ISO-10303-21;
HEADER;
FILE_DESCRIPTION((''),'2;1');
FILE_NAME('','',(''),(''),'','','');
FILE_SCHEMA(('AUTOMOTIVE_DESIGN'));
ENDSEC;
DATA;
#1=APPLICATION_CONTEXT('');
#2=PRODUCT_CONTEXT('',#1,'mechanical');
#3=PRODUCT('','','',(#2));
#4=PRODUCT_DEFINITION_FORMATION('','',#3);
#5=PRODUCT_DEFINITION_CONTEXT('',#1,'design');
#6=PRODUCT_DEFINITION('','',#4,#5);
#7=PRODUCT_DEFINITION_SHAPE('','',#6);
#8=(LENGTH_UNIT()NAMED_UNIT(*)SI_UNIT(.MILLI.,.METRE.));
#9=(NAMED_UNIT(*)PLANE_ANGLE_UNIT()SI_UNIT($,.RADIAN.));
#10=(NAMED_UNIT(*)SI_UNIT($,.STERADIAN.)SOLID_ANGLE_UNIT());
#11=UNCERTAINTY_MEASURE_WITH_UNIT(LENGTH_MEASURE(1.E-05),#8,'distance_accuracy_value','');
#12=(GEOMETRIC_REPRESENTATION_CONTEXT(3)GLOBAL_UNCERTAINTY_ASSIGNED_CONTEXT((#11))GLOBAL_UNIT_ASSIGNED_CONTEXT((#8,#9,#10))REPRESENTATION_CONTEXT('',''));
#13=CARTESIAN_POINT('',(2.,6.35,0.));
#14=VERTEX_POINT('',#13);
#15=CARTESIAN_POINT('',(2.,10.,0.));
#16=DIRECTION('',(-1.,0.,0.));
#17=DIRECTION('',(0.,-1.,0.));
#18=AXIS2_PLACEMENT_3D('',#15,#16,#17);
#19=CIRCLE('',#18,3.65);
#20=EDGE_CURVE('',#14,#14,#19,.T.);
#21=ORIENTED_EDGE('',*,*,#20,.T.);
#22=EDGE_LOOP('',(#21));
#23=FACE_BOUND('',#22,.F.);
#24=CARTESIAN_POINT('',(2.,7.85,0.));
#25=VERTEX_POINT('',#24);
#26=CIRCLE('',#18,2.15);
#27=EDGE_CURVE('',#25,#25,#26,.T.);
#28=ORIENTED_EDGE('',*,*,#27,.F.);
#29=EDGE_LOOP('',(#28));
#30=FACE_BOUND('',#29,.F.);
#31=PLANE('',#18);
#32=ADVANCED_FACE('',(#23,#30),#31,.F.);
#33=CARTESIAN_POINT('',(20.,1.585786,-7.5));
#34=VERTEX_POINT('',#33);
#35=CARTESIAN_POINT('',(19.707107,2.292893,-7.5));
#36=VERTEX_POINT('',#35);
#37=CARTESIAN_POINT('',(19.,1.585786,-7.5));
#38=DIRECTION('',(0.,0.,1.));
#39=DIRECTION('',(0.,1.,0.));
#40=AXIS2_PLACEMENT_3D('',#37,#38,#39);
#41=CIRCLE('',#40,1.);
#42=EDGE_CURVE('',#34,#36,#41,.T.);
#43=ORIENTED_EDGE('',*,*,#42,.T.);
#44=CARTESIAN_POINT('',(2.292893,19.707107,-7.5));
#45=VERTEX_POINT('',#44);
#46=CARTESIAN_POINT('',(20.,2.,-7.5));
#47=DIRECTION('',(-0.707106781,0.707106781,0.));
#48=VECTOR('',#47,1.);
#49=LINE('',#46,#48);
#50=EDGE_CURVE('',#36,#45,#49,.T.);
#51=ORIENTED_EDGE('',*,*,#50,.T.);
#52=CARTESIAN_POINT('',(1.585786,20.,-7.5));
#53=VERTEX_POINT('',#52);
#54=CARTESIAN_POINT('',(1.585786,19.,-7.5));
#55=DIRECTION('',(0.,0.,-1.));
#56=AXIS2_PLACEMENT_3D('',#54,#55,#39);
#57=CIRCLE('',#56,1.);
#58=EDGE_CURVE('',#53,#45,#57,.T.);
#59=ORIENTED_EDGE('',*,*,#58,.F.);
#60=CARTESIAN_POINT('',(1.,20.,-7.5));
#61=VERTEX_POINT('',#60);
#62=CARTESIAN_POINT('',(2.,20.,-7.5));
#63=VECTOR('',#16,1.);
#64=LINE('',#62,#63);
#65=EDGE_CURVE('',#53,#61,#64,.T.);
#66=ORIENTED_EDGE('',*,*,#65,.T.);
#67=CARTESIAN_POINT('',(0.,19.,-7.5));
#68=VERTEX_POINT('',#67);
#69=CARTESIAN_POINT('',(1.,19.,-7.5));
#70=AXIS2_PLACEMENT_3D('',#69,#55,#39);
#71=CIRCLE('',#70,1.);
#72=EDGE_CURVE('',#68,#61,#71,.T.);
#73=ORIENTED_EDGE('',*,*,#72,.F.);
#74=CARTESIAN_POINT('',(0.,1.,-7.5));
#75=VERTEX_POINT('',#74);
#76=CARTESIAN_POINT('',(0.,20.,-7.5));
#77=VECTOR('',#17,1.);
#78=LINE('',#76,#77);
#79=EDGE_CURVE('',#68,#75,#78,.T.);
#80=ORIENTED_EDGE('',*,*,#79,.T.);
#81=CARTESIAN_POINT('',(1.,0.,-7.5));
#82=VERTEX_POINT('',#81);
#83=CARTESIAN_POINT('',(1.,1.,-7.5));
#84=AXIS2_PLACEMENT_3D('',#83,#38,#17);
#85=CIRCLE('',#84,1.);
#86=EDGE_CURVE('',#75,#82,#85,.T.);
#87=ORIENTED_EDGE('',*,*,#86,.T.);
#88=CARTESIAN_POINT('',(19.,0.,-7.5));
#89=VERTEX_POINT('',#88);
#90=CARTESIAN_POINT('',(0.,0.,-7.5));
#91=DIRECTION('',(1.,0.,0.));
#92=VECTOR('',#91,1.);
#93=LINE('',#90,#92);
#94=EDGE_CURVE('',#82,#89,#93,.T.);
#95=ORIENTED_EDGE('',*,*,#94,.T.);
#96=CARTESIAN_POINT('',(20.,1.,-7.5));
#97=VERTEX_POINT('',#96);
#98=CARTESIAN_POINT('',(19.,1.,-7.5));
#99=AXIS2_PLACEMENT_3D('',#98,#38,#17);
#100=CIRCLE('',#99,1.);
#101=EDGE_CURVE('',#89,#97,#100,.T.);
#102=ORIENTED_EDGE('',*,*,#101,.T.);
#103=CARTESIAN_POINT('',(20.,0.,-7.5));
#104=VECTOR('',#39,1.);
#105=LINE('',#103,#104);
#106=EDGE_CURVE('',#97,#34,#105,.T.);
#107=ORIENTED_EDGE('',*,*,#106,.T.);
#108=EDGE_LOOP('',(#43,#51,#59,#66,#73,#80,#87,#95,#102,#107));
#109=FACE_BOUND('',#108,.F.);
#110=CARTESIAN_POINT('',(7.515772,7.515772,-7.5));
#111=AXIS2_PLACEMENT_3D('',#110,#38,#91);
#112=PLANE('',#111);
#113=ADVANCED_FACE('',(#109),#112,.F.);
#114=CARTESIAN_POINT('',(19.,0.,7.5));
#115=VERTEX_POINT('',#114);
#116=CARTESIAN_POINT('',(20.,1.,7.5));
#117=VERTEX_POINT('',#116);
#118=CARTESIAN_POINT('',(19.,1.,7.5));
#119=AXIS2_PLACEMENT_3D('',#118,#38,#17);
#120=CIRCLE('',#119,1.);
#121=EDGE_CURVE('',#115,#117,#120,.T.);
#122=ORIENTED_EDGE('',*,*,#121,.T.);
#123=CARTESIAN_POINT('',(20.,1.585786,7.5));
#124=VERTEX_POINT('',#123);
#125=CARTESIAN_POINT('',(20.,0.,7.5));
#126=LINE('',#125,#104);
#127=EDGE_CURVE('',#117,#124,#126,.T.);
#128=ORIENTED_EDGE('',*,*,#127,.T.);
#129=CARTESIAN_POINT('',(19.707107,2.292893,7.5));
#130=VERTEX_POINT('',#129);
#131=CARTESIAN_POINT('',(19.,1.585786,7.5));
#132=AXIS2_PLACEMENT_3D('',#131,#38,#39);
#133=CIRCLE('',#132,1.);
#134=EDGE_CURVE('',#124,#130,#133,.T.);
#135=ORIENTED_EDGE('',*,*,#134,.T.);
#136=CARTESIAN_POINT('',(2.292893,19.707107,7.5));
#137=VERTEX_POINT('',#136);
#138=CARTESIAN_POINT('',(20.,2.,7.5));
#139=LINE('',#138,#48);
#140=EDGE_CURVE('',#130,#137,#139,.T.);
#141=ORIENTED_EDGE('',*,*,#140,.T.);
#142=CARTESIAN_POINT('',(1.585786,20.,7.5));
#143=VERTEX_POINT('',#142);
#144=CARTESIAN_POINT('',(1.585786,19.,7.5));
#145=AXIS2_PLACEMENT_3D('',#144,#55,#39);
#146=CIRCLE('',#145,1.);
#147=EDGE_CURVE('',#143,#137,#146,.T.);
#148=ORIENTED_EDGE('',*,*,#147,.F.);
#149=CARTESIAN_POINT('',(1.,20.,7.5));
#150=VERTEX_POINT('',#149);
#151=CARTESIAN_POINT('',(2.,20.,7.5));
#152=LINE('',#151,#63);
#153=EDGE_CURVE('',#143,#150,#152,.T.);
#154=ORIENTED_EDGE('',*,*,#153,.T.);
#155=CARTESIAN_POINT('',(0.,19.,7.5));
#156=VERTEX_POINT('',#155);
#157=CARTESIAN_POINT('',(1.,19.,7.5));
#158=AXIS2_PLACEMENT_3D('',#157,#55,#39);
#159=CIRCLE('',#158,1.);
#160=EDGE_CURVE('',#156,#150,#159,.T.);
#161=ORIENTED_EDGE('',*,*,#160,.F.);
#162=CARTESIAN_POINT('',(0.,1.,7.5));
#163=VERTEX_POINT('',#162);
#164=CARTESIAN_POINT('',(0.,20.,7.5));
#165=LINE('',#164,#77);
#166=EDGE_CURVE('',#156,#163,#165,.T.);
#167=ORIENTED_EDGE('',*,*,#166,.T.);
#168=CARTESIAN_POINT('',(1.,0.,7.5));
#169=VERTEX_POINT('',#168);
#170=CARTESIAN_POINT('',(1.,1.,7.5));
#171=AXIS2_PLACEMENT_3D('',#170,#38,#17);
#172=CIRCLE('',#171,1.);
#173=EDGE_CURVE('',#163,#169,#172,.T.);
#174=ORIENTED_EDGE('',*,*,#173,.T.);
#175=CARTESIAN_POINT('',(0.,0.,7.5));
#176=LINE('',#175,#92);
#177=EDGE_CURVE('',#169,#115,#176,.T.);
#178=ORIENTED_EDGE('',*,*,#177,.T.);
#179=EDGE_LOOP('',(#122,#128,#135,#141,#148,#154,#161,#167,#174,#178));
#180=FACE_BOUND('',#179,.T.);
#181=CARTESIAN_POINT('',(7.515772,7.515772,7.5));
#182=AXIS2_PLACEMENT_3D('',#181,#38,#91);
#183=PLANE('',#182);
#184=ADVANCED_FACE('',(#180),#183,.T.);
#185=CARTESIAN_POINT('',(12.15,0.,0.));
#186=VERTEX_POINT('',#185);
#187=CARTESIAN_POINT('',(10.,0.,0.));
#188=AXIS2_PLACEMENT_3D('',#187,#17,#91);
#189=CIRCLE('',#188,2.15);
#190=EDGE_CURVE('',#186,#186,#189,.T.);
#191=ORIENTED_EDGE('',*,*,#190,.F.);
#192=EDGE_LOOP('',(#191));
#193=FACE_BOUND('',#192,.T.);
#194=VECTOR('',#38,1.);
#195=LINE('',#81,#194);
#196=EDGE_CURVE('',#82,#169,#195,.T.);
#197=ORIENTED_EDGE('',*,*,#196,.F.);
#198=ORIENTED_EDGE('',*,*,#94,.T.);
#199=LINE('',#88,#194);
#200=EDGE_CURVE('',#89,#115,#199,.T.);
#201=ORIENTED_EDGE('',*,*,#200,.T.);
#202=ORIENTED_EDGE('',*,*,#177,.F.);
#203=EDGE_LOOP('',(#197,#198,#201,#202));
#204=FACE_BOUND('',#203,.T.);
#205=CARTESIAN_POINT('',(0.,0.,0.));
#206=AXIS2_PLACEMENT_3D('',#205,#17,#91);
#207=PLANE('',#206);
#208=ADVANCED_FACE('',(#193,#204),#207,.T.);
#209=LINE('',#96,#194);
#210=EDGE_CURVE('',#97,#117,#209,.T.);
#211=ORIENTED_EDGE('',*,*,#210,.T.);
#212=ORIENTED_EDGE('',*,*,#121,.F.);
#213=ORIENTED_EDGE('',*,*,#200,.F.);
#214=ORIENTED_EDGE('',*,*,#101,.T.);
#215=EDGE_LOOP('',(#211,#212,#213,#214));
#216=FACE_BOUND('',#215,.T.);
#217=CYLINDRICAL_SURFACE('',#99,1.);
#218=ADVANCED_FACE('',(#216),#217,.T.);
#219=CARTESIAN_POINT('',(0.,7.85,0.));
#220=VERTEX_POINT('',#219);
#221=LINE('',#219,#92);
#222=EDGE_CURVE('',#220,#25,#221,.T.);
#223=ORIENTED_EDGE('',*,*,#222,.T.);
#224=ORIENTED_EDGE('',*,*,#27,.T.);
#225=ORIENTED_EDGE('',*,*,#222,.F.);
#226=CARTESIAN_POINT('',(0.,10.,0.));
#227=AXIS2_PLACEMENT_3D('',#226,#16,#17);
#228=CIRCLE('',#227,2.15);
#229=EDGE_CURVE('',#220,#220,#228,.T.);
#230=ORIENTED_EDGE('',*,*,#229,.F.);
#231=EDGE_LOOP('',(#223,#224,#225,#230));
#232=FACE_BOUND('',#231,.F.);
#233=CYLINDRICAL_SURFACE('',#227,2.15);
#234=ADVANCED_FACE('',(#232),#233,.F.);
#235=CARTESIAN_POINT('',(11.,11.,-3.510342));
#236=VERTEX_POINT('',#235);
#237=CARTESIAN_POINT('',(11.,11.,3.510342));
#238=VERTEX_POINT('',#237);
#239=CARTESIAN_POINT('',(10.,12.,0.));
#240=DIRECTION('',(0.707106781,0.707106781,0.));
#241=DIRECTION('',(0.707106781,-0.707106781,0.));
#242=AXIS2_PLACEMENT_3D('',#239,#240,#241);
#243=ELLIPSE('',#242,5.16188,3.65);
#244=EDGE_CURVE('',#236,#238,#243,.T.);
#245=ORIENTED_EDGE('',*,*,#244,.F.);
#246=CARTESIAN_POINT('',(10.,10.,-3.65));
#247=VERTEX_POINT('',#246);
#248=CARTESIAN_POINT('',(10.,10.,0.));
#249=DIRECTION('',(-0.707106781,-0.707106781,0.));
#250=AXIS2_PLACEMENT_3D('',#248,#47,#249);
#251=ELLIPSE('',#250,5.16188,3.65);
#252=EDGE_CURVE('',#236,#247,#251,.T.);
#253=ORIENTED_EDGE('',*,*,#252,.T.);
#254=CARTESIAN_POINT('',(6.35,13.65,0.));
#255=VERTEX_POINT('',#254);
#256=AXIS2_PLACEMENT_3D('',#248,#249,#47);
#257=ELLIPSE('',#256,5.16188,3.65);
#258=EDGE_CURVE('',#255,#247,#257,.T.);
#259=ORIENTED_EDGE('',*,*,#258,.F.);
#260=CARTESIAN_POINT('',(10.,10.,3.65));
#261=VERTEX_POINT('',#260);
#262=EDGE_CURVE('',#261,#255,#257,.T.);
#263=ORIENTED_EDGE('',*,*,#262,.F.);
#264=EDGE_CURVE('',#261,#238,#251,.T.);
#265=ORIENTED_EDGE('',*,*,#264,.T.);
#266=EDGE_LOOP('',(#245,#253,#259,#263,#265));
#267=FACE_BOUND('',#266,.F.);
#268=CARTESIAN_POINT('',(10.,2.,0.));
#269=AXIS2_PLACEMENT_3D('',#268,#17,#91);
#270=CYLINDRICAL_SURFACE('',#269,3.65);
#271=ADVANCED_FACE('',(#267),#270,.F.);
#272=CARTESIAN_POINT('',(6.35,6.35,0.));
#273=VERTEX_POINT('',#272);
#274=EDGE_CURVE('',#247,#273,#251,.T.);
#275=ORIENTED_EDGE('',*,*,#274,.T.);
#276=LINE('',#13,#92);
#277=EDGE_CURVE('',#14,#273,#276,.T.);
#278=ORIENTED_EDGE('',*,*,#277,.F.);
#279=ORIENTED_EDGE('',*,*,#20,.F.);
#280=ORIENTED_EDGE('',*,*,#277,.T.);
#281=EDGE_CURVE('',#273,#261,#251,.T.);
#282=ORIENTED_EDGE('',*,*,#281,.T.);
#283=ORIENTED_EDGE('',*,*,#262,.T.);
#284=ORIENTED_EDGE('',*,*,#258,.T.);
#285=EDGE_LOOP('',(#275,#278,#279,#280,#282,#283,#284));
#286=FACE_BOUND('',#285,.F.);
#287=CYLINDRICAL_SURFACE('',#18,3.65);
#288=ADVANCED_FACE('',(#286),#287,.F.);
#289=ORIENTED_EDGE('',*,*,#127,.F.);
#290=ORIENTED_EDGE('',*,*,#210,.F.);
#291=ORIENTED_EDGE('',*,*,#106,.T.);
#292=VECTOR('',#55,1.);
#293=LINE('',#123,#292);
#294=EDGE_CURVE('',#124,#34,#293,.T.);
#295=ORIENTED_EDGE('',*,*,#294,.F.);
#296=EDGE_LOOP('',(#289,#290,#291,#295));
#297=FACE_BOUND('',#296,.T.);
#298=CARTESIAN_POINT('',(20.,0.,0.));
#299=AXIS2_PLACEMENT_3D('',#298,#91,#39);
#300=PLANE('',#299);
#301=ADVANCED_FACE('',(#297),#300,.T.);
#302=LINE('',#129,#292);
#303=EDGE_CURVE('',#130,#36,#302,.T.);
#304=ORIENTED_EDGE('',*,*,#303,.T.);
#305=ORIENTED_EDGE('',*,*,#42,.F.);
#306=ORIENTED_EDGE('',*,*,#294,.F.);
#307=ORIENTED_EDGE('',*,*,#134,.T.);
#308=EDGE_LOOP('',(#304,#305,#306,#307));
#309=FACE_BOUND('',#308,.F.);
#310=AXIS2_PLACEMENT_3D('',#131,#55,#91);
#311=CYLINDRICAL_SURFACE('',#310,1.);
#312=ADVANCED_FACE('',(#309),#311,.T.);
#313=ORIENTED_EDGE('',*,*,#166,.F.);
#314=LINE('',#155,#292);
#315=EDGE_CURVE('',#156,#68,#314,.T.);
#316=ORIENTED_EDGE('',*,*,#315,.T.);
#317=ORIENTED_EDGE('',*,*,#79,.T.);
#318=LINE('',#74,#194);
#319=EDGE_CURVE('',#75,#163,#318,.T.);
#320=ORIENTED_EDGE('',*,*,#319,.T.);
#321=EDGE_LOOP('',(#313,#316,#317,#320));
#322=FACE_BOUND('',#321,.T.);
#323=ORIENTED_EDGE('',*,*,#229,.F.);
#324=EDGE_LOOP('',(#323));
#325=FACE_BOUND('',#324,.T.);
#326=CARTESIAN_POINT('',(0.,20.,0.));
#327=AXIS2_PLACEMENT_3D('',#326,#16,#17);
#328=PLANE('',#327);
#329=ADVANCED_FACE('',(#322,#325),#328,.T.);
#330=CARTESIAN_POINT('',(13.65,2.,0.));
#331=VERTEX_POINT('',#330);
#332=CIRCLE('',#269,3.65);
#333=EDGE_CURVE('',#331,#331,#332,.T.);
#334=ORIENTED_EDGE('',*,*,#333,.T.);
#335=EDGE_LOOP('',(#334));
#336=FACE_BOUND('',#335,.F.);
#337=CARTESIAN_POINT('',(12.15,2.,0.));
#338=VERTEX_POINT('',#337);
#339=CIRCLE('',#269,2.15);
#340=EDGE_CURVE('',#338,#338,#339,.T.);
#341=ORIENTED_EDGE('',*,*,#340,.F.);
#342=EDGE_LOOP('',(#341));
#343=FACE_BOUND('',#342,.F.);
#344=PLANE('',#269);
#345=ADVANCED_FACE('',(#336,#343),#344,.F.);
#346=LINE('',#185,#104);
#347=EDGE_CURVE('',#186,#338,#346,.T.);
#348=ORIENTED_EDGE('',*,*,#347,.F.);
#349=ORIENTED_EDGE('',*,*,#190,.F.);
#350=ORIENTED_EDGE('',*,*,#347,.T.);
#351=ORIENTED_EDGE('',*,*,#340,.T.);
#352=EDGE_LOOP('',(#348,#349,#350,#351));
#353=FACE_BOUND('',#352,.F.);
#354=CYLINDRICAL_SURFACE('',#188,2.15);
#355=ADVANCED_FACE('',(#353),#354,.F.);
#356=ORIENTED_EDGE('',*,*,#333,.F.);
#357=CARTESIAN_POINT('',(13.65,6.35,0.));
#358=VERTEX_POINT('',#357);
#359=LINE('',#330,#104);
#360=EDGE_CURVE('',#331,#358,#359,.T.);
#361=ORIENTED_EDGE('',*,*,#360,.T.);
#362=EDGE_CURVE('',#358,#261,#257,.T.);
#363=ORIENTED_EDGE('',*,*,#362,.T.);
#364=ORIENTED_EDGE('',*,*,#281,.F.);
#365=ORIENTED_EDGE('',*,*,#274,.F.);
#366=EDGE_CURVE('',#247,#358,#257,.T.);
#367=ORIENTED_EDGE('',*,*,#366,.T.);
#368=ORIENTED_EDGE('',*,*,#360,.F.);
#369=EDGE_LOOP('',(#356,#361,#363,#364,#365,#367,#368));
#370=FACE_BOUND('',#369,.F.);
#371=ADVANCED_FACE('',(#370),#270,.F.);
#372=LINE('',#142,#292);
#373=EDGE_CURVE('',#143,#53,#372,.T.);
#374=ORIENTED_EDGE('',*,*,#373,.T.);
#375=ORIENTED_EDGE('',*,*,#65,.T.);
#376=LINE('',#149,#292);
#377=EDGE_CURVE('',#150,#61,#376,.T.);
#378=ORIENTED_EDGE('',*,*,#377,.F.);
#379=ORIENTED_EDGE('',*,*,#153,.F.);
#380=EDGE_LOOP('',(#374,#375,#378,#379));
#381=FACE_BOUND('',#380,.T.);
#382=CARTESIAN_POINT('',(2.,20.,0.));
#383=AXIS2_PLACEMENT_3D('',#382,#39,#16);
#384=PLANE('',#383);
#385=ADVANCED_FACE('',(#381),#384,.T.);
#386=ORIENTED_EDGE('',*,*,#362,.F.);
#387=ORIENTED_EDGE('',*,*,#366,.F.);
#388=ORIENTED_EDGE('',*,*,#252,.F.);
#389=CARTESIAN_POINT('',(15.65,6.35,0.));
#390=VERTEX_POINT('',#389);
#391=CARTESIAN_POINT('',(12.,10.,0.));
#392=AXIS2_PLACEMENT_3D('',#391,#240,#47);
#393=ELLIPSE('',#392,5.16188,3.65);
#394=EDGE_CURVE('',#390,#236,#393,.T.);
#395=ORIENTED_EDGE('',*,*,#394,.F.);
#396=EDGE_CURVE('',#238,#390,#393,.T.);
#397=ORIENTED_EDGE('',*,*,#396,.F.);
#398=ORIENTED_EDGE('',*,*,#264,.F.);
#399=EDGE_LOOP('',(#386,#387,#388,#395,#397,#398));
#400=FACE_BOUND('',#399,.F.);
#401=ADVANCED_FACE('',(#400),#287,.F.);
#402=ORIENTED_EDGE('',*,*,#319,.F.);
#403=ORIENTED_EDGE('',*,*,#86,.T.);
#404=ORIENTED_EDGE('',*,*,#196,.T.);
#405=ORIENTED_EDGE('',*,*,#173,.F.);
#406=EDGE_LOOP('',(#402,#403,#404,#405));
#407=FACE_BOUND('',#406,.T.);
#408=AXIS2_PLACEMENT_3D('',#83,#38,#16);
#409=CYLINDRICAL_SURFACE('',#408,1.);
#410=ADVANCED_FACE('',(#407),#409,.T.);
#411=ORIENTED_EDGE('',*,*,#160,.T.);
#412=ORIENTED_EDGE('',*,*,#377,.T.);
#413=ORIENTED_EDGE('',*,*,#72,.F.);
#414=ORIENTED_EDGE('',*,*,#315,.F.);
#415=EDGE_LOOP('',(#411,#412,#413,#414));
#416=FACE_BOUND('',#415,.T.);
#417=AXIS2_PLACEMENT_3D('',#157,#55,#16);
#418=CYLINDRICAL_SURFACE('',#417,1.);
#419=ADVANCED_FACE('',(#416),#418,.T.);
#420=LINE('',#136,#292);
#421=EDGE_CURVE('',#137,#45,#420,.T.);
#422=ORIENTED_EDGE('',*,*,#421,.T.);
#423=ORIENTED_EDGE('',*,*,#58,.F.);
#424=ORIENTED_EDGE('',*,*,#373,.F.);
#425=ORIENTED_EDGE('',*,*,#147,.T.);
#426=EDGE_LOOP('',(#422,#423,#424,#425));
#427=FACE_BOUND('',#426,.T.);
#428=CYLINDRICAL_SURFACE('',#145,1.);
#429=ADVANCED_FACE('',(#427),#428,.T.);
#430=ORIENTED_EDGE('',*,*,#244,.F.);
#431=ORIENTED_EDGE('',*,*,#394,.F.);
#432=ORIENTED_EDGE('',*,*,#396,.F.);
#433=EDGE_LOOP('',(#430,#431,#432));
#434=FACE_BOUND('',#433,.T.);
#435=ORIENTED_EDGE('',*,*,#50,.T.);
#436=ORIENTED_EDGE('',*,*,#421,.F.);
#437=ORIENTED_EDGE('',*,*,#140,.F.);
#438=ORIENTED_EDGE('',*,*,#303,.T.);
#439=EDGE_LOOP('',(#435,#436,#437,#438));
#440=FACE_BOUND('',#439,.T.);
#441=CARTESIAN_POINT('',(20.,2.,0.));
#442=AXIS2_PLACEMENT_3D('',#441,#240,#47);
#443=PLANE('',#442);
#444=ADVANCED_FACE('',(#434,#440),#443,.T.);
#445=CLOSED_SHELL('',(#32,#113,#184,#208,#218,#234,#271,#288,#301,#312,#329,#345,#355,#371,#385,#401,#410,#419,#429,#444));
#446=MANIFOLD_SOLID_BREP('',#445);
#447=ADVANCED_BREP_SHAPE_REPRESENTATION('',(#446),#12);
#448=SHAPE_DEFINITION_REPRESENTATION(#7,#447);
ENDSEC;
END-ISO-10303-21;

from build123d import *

# Parameters (mm, degrees)
F1_DEPTH = 7.5
F3_R     = 2.15
F4_DEPTH = 20
F2_R     = 2.15
F5_DEPTH = 20
F6_START = -2
F2_R_2   = 3.65
F6_DEPTH = 18
F7_START = -2
F3_R_2   = 3.65
F7_DEPTH = 18
F8_R     = 1


with BuildPart() as f1:
    # F0 (on Top) → F1 (new body, symmetric)
    with BuildSketch(Plane.XY):
        Polygon((0, 20), (0, 0), (20, 0), (20, 2), (2, 20), align=None)
    extrude(amount=F1_DEPTH, both=True)

    # F3 (on face) → F4 (cut)
    with BuildSketch(Plane.XZ):
        with Locations((10, 0)):
            Circle(F3_R)
    extrude(amount=-F4_DEPTH, mode=Mode.SUBTRACT)

    # F2 (on face) → F5 (cut)
    with BuildSketch(Plane(origin=(0, 0, 0), x_dir=(0, -1, 0), z_dir=(-1, 0, 0))):
        with Locations((-10, 0)):
            Circle(F2_R)
    extrude(amount=-F5_DEPTH, mode=Mode.SUBTRACT)

    # F2 (on face) → F6 (cut)
    with BuildSketch(Plane(origin=(0, 0, 0), x_dir=(0, -1, 0), z_dir=(-1, 0, 0)).offset(F6_START)):
        with Locations((-10, 0)):
            Circle(F2_R_2)
        with Locations((-10, 0)):
            Circle(F2_R, mode=Mode.SUBTRACT)
    extrude(amount=-F6_DEPTH, mode=Mode.SUBTRACT)

    # F3 (on face) → F7 (cut)
    with BuildSketch(Plane.XZ.offset(F7_START)):
        with Locations((10, 0)):
            Circle(F3_R_2)
        with Locations((10, 0)):
            Circle(F3_R, mode=Mode.SUBTRACT)
    extrude(amount=-F7_DEPTH, mode=Mode.SUBTRACT)

    # F8
    f8_edges = [f1.edges().sort_by_distance(p)[0] for p in [
        (0, 0, 0),
        (20, 0, 0),
        (20, 2, 0),
        (2, 20, 0),
        (0, 20, 0),
    ]]
    fillet(f8_edges, radius=F8_R)


solid = f1.part
